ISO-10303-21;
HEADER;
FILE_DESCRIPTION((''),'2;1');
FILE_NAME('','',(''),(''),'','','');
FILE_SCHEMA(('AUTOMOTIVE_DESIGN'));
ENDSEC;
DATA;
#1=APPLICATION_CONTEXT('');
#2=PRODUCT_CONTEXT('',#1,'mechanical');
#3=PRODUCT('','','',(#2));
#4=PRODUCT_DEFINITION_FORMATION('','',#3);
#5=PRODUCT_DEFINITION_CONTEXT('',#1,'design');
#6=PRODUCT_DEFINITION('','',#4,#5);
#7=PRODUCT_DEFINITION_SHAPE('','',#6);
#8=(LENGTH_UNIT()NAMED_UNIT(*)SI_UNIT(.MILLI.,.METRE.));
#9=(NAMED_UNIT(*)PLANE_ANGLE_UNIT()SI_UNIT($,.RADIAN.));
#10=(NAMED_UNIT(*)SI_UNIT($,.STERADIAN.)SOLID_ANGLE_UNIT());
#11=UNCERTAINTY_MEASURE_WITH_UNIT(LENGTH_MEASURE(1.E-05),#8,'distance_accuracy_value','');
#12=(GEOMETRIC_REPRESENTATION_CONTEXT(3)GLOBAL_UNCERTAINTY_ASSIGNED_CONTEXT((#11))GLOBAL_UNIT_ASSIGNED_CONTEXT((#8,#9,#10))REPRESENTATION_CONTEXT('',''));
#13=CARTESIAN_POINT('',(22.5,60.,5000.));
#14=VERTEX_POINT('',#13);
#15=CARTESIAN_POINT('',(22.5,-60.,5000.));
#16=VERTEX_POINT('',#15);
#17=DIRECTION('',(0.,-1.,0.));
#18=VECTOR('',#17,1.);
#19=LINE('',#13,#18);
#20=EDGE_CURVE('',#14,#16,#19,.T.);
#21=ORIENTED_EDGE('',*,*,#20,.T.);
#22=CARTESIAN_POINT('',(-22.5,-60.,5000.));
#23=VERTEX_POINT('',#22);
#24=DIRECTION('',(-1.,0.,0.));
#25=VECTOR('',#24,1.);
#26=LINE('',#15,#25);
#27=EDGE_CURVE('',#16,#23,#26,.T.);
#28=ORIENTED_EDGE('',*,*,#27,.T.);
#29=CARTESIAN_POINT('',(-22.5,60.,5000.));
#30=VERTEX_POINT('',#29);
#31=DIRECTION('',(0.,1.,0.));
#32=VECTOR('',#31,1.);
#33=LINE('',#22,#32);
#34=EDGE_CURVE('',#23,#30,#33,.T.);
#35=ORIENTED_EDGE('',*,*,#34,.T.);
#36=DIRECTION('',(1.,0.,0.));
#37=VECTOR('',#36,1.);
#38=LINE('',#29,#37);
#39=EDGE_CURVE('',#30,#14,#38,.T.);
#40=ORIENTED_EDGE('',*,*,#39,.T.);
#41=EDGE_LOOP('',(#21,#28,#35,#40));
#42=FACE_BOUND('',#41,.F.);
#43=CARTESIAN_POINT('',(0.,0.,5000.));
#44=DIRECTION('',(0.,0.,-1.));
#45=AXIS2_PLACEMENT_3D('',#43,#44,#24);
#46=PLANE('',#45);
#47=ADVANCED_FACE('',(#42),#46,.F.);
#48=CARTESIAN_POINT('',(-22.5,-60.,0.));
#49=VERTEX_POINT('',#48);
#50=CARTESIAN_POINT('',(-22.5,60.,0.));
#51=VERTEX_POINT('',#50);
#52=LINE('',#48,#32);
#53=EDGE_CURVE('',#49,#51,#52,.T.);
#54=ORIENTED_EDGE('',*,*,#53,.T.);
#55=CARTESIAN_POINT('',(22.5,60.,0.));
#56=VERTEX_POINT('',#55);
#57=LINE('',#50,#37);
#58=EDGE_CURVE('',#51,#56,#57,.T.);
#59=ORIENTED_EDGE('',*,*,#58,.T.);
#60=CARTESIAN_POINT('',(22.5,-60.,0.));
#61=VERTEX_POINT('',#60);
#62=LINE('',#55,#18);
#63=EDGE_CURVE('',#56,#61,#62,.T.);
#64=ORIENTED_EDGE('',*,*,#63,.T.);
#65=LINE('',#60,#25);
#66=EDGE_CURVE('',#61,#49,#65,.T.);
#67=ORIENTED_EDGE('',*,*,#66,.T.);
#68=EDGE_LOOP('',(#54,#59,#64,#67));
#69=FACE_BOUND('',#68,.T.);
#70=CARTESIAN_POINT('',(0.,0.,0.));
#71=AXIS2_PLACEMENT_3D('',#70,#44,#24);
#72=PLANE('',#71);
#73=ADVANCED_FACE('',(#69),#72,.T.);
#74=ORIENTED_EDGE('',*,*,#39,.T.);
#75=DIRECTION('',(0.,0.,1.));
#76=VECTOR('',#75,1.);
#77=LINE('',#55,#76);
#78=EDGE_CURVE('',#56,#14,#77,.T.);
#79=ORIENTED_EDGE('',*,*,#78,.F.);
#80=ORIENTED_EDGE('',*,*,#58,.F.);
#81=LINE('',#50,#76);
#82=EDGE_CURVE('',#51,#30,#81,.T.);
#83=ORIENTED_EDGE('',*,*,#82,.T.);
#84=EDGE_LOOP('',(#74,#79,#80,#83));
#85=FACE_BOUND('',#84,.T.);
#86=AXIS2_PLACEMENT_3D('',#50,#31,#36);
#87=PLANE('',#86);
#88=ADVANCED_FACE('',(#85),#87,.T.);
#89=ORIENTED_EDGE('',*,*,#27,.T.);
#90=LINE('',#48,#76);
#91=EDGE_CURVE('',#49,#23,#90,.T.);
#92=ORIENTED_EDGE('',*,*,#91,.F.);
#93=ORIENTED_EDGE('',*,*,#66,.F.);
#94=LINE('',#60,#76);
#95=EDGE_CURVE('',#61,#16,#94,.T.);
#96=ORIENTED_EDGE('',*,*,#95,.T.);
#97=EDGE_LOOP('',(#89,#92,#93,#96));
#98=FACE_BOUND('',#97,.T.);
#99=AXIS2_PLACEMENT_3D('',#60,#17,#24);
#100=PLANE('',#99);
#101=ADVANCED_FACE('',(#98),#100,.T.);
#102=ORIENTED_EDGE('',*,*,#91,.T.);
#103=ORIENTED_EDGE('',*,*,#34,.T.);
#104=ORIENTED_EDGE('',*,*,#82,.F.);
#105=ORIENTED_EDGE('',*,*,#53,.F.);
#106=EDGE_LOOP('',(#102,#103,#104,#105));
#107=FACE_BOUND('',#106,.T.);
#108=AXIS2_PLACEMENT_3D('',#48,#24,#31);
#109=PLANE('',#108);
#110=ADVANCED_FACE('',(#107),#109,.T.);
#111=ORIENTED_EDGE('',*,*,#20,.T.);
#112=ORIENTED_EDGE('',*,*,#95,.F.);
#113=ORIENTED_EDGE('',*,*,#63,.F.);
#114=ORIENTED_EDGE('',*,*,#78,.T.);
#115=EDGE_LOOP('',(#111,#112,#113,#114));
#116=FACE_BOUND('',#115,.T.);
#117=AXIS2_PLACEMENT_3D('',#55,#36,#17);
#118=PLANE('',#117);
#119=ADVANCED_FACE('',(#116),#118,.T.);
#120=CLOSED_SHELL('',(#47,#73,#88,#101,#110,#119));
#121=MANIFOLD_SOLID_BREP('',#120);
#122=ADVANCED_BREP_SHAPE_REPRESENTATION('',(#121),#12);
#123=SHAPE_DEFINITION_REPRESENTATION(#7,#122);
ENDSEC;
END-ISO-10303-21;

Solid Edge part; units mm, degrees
sketch "Sketch1" plane through (0, 0, 0) normal (0, 0, -1) x (-1, 0, 0)
  line L0 (-22.5, -60) -> (22.5, -60)
  line L1 (22.5, -60) -> (22.5, 60)
  line L2 (22.5, 60) -> (-22.5, 60)
  line L3 (-22.5, 60) -> (-22.5, -60)
extrude "Protrusion1" add sketch "Sketch1" against normal blind 5000
properties material "Wood, Pine"
